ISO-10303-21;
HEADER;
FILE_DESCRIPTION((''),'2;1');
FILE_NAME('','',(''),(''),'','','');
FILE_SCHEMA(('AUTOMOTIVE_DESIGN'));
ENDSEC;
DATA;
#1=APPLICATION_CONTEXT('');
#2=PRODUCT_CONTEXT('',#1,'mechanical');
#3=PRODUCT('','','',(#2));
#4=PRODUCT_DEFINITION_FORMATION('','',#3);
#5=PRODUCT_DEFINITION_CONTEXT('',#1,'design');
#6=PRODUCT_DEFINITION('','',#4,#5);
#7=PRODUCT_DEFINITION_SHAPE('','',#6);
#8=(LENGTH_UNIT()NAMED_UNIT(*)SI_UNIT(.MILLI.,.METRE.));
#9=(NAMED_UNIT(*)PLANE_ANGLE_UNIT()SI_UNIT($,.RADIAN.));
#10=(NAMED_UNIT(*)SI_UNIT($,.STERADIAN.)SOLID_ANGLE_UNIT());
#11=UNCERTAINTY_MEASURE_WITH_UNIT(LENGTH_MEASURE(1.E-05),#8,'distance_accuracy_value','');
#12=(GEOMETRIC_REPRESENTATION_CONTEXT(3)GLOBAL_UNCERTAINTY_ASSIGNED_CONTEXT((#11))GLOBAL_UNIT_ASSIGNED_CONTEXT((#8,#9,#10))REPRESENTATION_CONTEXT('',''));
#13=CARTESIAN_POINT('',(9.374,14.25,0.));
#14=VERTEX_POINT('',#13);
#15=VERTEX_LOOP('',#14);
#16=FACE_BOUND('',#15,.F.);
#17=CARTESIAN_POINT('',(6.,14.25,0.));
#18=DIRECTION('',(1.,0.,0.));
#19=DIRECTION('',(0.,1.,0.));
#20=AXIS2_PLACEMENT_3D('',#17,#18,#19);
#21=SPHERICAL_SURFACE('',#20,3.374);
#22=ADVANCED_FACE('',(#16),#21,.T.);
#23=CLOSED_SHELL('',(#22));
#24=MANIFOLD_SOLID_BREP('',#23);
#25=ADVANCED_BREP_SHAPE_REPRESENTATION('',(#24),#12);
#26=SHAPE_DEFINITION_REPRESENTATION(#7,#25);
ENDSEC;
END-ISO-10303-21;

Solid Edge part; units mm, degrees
sketch "Sketch1" plane through (0, 0, 0) normal (0, 0, 1) x (1, 0, 0)
  arc A0 (2.626, 14.25) -> (9.374, 14.25) centre (6, 14.25) cw
  line L0 (9.374, 14.25) -> (2.626, 14.25)
revolve "RevolvedProtrusion1" add sketch "Sketch1" angle 360 about axis through (9.374, 14.25, 0) along (-1, 0, 0)
